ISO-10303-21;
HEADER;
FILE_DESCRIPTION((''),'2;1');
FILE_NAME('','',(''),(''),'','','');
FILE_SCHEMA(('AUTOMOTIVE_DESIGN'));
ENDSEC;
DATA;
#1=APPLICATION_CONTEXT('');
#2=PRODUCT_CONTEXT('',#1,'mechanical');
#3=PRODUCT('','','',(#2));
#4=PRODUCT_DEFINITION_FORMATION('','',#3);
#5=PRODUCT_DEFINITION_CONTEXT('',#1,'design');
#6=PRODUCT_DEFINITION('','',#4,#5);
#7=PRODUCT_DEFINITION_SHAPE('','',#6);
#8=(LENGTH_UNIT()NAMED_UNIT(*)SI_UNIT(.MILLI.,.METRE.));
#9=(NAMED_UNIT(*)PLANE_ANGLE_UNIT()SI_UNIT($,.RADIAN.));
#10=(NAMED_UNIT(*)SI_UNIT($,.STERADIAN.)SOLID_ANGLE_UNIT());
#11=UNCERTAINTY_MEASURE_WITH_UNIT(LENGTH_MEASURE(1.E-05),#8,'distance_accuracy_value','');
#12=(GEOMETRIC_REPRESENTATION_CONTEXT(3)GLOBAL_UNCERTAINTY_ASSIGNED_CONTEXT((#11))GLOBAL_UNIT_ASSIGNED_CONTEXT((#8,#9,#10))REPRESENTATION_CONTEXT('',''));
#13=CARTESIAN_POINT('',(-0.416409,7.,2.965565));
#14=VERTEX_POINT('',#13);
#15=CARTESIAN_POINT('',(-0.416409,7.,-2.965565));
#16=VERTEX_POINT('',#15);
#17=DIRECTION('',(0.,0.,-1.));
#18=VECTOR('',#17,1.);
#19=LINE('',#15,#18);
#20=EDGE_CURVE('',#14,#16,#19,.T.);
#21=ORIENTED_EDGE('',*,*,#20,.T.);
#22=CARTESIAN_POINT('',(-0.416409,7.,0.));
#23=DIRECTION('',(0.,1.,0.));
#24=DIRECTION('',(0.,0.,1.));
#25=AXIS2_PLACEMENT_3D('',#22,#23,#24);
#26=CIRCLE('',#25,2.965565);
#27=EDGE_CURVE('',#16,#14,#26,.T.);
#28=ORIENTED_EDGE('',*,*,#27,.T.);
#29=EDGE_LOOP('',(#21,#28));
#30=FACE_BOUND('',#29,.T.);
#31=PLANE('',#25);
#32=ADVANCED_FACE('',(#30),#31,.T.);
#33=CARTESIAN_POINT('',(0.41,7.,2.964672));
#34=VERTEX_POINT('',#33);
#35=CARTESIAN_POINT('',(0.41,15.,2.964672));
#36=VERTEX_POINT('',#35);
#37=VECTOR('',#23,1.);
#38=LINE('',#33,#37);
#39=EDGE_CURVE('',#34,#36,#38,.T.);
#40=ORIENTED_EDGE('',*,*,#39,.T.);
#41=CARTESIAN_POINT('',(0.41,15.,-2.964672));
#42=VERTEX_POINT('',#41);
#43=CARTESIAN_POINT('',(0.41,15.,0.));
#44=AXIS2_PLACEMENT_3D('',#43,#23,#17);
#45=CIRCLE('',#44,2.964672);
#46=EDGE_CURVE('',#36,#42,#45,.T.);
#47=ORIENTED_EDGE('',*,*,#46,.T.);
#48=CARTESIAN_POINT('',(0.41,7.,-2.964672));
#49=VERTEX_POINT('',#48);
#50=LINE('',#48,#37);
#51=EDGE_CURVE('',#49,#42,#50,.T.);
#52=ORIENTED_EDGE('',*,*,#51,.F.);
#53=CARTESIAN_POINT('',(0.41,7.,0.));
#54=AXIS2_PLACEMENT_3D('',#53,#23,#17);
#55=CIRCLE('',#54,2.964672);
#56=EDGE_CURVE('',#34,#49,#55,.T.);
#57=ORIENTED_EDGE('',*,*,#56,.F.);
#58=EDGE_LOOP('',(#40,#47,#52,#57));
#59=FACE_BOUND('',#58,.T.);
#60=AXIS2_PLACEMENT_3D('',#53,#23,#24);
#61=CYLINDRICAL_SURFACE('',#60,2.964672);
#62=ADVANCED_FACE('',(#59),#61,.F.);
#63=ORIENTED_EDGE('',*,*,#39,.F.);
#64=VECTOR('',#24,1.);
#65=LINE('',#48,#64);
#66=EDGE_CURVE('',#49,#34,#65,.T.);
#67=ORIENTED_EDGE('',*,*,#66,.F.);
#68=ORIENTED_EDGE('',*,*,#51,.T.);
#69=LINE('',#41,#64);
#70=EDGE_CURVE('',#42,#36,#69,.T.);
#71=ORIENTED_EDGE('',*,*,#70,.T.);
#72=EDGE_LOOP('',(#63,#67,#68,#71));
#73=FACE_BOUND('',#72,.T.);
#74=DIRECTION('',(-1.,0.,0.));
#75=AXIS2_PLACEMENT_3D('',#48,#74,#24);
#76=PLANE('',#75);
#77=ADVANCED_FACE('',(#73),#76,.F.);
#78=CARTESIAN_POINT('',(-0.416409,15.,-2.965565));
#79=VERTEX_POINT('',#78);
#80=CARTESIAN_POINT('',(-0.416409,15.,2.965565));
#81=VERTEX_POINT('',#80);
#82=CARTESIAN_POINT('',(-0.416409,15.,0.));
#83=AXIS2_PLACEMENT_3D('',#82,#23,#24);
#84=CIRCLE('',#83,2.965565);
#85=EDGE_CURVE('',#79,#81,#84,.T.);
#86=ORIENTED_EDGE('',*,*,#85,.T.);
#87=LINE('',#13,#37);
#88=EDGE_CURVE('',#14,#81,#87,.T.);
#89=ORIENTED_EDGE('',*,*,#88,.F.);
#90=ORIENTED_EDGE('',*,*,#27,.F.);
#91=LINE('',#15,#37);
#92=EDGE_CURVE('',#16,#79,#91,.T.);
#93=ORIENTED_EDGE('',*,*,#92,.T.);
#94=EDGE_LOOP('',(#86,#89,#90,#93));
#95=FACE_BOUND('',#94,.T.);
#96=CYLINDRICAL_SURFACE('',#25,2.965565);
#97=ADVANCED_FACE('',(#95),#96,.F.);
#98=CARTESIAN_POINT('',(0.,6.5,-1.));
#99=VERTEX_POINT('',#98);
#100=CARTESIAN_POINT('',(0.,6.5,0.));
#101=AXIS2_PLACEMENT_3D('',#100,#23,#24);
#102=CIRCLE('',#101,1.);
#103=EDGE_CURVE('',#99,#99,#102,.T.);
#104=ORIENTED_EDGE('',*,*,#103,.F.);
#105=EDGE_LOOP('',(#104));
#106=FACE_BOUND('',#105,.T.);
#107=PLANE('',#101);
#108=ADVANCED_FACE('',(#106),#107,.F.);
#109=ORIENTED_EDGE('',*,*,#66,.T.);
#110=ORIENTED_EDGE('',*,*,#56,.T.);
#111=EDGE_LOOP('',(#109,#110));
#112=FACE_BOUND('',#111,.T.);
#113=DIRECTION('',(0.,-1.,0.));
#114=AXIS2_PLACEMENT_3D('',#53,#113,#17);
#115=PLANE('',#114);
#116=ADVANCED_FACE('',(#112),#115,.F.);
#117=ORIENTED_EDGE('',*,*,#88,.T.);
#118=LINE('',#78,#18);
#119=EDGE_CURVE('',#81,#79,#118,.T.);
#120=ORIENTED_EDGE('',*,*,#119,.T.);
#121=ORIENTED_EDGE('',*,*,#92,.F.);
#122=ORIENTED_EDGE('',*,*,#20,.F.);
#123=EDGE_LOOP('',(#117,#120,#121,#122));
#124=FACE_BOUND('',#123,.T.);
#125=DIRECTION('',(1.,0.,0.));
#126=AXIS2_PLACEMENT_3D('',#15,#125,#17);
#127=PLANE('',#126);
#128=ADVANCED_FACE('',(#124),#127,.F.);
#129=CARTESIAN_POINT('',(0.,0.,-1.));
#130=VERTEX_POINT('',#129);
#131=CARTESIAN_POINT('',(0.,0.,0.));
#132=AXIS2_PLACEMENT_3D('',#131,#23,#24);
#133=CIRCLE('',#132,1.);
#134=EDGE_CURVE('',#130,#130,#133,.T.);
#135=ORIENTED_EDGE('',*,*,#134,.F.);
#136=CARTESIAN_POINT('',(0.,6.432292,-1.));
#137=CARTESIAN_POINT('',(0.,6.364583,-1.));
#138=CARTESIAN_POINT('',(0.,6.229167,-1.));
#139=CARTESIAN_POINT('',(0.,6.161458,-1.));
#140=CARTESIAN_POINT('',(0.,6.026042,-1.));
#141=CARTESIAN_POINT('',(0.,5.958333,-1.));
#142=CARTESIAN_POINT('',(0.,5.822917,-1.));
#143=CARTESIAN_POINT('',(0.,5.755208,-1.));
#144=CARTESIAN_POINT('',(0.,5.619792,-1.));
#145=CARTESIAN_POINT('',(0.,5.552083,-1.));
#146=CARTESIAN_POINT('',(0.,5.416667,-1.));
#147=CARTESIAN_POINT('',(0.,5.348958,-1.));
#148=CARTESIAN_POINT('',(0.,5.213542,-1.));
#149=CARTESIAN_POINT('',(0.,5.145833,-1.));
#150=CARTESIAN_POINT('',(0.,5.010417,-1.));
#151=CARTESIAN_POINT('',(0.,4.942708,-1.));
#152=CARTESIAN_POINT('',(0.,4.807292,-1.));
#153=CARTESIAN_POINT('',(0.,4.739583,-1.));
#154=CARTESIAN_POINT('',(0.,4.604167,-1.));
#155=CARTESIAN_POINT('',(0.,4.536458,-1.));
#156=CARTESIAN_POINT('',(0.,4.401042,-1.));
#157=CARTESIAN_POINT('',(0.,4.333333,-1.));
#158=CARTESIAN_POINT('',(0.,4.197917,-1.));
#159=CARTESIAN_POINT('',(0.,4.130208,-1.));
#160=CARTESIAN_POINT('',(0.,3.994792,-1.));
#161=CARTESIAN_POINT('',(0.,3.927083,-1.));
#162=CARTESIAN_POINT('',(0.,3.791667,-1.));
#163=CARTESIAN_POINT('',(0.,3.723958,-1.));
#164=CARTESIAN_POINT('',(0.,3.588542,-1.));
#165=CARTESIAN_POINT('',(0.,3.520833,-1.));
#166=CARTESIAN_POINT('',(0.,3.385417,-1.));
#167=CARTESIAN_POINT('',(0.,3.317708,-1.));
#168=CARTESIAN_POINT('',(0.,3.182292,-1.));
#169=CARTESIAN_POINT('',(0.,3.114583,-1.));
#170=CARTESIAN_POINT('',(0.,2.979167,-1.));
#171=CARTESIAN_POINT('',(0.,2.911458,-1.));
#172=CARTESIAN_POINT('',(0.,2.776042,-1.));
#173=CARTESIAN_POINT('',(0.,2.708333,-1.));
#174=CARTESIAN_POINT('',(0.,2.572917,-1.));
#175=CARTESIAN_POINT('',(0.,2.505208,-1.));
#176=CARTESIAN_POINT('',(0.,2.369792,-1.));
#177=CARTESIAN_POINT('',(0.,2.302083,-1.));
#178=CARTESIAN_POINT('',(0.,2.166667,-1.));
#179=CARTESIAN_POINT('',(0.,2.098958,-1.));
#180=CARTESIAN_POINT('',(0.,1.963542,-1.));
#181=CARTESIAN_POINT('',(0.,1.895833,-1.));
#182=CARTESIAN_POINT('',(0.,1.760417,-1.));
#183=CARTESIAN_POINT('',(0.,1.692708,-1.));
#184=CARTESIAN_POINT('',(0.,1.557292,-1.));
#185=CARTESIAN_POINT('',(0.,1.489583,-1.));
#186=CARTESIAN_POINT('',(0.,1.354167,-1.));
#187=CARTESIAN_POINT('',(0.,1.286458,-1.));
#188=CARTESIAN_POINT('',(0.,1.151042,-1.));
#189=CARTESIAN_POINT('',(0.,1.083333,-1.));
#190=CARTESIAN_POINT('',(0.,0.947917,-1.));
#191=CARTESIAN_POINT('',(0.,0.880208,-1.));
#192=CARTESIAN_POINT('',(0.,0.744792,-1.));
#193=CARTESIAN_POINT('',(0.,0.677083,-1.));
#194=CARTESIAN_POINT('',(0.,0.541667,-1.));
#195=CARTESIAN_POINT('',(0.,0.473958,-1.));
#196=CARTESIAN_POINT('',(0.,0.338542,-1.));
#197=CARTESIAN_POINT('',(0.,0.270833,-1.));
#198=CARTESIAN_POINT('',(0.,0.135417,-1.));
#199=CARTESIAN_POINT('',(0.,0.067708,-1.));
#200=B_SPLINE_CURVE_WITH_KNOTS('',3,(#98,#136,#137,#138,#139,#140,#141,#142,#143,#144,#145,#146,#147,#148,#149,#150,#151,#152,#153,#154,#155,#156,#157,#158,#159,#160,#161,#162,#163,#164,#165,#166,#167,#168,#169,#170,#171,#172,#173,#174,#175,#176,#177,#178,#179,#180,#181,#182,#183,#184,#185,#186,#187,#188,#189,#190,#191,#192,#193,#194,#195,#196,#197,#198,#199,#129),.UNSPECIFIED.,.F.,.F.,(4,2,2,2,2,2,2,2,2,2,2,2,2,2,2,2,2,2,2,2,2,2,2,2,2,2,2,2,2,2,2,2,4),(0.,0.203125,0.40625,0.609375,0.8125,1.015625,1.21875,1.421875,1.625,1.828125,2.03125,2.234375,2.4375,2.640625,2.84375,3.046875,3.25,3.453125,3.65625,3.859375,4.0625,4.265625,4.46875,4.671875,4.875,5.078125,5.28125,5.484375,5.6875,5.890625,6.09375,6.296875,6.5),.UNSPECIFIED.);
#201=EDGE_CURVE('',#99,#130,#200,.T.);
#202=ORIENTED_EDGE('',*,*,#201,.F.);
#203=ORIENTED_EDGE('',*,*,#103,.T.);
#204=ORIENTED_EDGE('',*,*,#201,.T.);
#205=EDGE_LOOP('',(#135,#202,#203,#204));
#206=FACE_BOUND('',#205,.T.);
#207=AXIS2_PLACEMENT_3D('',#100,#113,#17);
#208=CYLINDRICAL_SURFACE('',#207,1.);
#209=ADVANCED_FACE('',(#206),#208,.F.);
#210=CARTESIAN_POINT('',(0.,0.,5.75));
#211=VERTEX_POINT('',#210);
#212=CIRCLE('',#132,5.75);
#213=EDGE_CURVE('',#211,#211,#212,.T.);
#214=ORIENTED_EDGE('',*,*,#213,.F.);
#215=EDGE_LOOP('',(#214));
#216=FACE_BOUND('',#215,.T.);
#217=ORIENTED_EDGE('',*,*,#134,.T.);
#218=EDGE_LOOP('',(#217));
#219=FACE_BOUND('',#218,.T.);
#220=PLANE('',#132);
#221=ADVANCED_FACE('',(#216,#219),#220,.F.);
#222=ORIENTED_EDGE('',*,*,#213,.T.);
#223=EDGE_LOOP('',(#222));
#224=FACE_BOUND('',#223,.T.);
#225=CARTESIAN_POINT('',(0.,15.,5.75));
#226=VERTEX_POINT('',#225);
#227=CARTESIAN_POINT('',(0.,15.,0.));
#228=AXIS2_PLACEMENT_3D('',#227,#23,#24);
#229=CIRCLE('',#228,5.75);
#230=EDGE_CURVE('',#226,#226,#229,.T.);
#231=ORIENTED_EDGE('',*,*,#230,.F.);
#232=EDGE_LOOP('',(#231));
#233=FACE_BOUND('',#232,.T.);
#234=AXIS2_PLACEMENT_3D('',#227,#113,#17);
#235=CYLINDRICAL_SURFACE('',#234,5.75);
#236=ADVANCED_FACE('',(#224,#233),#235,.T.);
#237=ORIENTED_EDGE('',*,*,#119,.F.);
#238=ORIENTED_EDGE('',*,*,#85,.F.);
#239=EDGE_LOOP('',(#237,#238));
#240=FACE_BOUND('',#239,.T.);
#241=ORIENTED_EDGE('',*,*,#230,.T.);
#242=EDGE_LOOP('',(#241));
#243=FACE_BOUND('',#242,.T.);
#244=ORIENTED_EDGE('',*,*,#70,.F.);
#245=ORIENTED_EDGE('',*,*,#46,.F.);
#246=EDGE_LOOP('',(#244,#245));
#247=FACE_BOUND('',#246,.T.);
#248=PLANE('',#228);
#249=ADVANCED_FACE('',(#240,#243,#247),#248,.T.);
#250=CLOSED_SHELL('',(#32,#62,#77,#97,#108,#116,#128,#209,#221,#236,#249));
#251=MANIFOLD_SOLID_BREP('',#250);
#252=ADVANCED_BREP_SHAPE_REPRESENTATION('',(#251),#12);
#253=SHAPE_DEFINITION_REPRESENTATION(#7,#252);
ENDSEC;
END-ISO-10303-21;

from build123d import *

# Parameters (mm, degrees)
SKETCH1_R           = 5.75
BOSS_EXTRUDE1_DEPTH = 15
CUT_EXTRUDE3_DEPTH  = 8
SKETCH7_R           = 1
CUT_EXTRUDE4_DEPTH  = 6.5


with BuildPart() as part:
    # Sketch1 → Boss-Extrude1 (new body)
    with BuildSketch(Plane(origin=(0, 0, 0), x_dir=(1, 0, 0), z_dir=(0, 1, 0))):
        with Locations(Location((0, 0, 0), (0, 0, 270))):
            Circle(SKETCH1_R)
    extrude(amount=BOSS_EXTRUDE1_DEPTH)

    # Sketch6 → Cut-Extrude3 (cut)
    with BuildSketch(Plane(origin=(0, 15, 0), x_dir=(1, 0, 0), z_dir=(0, 1, 0))):
        with BuildLine():
            Line((0.41, 2.964671599), (0.41, -2.964671599))
            ThreePointArc((0.41, -2.964671599), (3.374671599, 0), (0.41, 2.964671599))
        make_face()
        with BuildLine():
            Line((-0.416408681, 2.965564682), (-0.416408681, -2.965564682))
            ThreePointArc((-0.416408681, -2.965564682), (-3.381973363, 0), (-0.416408681, 2.965564682))
        make_face()
    extrude(amount=-CUT_EXTRUDE3_DEPTH, mode=Mode.SUBTRACT)

    # Sketch7 → Cut-Extrude4 (cut)
    with BuildSketch(Plane(origin=(0, 0, 0), x_dir=(1, 0, 0), z_dir=(0, 1, 0))):
        with Locations(Location((0, 0, 0), (0, 0, 90))):
            Circle(SKETCH7_R)
    extrude(amount=CUT_EXTRUDE4_DEPTH, mode=Mode.SUBTRACT)


solid = part.part
